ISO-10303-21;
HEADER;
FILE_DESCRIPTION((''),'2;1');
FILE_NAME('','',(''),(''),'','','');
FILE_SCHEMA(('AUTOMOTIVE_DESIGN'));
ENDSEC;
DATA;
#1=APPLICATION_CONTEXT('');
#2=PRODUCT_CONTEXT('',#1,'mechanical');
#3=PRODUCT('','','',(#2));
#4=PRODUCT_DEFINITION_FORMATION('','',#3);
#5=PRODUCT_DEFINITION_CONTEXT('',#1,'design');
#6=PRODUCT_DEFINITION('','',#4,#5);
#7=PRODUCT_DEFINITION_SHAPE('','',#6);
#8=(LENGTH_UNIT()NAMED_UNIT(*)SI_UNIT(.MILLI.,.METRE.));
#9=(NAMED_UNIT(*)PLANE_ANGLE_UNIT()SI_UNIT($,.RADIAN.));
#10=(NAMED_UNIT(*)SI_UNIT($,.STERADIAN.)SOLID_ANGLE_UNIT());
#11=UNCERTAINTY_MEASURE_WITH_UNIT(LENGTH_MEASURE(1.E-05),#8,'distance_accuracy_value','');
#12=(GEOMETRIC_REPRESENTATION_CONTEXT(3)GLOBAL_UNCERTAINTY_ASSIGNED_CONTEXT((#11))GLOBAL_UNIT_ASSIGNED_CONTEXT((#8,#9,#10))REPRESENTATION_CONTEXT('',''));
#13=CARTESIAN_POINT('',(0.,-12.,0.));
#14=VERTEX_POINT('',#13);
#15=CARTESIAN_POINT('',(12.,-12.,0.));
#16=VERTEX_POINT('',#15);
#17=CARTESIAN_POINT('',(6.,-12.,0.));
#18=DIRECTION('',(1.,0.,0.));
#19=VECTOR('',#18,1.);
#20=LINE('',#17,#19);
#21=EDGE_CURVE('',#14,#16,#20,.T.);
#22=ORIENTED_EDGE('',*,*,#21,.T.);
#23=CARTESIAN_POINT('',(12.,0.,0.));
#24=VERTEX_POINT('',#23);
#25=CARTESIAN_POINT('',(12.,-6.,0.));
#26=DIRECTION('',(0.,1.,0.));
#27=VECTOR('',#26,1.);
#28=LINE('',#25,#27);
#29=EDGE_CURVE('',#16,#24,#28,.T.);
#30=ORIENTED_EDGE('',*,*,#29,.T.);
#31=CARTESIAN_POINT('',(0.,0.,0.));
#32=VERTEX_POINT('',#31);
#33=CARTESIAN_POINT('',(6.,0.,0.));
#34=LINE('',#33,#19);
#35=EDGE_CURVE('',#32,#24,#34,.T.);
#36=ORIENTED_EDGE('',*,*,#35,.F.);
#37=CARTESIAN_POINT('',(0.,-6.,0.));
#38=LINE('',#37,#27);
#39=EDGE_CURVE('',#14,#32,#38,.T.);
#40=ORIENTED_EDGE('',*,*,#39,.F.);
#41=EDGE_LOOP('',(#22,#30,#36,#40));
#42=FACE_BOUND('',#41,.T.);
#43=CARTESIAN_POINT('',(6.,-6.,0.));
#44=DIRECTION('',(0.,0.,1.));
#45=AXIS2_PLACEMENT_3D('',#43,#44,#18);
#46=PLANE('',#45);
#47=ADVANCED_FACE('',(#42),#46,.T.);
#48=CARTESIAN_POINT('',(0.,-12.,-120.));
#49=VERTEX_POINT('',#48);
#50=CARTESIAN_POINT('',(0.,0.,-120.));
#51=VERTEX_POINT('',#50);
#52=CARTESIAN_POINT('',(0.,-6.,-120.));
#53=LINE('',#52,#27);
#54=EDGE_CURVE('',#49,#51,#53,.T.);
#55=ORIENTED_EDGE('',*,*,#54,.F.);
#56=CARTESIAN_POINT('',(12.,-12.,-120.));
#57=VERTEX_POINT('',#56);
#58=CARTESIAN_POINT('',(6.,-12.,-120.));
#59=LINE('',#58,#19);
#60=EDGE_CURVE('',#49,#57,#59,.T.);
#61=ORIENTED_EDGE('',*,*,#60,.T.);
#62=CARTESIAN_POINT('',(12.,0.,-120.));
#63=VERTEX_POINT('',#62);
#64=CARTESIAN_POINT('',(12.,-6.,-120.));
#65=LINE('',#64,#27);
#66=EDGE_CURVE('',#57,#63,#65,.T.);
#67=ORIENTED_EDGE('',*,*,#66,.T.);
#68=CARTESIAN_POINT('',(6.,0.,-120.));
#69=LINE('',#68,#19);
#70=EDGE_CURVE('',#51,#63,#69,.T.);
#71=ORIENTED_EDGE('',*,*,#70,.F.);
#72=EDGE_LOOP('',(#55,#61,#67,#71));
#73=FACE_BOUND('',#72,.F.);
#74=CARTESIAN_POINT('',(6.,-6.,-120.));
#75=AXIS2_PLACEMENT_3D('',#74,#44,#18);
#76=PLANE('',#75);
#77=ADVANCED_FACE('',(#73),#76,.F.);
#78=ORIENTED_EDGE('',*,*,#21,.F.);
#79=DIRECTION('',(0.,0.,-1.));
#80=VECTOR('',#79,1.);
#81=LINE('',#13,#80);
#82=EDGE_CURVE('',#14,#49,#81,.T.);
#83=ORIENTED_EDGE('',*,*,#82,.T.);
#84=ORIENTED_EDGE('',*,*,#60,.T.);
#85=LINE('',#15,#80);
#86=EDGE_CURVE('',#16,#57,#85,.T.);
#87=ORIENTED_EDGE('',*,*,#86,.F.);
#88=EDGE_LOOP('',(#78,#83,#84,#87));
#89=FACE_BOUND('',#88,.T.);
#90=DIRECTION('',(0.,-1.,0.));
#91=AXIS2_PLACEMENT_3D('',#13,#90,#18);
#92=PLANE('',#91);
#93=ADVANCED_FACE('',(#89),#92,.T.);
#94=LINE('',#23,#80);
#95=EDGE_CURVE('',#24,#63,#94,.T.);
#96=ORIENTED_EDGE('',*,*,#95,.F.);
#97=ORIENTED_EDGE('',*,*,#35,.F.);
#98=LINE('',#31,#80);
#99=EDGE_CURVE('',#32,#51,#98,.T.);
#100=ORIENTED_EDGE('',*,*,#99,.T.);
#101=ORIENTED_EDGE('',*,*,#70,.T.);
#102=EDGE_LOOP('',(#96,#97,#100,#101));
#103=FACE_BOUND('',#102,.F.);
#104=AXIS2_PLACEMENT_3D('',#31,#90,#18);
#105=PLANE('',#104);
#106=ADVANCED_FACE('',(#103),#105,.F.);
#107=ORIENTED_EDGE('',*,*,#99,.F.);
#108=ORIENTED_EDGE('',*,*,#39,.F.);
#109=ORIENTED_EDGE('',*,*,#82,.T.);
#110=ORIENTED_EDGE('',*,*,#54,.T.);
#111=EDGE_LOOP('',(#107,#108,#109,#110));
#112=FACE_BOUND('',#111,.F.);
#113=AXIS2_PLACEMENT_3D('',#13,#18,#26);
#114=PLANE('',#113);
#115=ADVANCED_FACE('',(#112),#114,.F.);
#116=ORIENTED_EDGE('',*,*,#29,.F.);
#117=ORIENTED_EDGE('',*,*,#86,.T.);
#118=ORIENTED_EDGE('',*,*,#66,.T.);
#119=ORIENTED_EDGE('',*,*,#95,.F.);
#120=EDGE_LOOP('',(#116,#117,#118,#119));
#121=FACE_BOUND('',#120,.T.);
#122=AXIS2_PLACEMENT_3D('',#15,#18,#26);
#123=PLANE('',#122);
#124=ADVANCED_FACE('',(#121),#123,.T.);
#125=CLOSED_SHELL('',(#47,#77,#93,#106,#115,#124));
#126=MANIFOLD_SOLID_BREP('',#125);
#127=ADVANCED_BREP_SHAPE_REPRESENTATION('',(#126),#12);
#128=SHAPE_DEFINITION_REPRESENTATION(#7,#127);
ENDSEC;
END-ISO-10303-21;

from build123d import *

# Parameters (mm, degrees)
F0_W     = 60
F0_H     = 60
F1_DEPTH = 600
F2_SCALE = 0.2


with BuildPart() as f1:
    # F0 (on Top) → F1 (new body)
    with BuildSketch(Plane.XY):
        with Locations((30, -30)):
            Rectangle(F0_W, F0_H)
    extrude(amount=-F1_DEPTH)


with BuildPart() as f1_1:
    # F2: moved
    add(f1.part.scale(F2_SCALE))


solid = f1_1.part
